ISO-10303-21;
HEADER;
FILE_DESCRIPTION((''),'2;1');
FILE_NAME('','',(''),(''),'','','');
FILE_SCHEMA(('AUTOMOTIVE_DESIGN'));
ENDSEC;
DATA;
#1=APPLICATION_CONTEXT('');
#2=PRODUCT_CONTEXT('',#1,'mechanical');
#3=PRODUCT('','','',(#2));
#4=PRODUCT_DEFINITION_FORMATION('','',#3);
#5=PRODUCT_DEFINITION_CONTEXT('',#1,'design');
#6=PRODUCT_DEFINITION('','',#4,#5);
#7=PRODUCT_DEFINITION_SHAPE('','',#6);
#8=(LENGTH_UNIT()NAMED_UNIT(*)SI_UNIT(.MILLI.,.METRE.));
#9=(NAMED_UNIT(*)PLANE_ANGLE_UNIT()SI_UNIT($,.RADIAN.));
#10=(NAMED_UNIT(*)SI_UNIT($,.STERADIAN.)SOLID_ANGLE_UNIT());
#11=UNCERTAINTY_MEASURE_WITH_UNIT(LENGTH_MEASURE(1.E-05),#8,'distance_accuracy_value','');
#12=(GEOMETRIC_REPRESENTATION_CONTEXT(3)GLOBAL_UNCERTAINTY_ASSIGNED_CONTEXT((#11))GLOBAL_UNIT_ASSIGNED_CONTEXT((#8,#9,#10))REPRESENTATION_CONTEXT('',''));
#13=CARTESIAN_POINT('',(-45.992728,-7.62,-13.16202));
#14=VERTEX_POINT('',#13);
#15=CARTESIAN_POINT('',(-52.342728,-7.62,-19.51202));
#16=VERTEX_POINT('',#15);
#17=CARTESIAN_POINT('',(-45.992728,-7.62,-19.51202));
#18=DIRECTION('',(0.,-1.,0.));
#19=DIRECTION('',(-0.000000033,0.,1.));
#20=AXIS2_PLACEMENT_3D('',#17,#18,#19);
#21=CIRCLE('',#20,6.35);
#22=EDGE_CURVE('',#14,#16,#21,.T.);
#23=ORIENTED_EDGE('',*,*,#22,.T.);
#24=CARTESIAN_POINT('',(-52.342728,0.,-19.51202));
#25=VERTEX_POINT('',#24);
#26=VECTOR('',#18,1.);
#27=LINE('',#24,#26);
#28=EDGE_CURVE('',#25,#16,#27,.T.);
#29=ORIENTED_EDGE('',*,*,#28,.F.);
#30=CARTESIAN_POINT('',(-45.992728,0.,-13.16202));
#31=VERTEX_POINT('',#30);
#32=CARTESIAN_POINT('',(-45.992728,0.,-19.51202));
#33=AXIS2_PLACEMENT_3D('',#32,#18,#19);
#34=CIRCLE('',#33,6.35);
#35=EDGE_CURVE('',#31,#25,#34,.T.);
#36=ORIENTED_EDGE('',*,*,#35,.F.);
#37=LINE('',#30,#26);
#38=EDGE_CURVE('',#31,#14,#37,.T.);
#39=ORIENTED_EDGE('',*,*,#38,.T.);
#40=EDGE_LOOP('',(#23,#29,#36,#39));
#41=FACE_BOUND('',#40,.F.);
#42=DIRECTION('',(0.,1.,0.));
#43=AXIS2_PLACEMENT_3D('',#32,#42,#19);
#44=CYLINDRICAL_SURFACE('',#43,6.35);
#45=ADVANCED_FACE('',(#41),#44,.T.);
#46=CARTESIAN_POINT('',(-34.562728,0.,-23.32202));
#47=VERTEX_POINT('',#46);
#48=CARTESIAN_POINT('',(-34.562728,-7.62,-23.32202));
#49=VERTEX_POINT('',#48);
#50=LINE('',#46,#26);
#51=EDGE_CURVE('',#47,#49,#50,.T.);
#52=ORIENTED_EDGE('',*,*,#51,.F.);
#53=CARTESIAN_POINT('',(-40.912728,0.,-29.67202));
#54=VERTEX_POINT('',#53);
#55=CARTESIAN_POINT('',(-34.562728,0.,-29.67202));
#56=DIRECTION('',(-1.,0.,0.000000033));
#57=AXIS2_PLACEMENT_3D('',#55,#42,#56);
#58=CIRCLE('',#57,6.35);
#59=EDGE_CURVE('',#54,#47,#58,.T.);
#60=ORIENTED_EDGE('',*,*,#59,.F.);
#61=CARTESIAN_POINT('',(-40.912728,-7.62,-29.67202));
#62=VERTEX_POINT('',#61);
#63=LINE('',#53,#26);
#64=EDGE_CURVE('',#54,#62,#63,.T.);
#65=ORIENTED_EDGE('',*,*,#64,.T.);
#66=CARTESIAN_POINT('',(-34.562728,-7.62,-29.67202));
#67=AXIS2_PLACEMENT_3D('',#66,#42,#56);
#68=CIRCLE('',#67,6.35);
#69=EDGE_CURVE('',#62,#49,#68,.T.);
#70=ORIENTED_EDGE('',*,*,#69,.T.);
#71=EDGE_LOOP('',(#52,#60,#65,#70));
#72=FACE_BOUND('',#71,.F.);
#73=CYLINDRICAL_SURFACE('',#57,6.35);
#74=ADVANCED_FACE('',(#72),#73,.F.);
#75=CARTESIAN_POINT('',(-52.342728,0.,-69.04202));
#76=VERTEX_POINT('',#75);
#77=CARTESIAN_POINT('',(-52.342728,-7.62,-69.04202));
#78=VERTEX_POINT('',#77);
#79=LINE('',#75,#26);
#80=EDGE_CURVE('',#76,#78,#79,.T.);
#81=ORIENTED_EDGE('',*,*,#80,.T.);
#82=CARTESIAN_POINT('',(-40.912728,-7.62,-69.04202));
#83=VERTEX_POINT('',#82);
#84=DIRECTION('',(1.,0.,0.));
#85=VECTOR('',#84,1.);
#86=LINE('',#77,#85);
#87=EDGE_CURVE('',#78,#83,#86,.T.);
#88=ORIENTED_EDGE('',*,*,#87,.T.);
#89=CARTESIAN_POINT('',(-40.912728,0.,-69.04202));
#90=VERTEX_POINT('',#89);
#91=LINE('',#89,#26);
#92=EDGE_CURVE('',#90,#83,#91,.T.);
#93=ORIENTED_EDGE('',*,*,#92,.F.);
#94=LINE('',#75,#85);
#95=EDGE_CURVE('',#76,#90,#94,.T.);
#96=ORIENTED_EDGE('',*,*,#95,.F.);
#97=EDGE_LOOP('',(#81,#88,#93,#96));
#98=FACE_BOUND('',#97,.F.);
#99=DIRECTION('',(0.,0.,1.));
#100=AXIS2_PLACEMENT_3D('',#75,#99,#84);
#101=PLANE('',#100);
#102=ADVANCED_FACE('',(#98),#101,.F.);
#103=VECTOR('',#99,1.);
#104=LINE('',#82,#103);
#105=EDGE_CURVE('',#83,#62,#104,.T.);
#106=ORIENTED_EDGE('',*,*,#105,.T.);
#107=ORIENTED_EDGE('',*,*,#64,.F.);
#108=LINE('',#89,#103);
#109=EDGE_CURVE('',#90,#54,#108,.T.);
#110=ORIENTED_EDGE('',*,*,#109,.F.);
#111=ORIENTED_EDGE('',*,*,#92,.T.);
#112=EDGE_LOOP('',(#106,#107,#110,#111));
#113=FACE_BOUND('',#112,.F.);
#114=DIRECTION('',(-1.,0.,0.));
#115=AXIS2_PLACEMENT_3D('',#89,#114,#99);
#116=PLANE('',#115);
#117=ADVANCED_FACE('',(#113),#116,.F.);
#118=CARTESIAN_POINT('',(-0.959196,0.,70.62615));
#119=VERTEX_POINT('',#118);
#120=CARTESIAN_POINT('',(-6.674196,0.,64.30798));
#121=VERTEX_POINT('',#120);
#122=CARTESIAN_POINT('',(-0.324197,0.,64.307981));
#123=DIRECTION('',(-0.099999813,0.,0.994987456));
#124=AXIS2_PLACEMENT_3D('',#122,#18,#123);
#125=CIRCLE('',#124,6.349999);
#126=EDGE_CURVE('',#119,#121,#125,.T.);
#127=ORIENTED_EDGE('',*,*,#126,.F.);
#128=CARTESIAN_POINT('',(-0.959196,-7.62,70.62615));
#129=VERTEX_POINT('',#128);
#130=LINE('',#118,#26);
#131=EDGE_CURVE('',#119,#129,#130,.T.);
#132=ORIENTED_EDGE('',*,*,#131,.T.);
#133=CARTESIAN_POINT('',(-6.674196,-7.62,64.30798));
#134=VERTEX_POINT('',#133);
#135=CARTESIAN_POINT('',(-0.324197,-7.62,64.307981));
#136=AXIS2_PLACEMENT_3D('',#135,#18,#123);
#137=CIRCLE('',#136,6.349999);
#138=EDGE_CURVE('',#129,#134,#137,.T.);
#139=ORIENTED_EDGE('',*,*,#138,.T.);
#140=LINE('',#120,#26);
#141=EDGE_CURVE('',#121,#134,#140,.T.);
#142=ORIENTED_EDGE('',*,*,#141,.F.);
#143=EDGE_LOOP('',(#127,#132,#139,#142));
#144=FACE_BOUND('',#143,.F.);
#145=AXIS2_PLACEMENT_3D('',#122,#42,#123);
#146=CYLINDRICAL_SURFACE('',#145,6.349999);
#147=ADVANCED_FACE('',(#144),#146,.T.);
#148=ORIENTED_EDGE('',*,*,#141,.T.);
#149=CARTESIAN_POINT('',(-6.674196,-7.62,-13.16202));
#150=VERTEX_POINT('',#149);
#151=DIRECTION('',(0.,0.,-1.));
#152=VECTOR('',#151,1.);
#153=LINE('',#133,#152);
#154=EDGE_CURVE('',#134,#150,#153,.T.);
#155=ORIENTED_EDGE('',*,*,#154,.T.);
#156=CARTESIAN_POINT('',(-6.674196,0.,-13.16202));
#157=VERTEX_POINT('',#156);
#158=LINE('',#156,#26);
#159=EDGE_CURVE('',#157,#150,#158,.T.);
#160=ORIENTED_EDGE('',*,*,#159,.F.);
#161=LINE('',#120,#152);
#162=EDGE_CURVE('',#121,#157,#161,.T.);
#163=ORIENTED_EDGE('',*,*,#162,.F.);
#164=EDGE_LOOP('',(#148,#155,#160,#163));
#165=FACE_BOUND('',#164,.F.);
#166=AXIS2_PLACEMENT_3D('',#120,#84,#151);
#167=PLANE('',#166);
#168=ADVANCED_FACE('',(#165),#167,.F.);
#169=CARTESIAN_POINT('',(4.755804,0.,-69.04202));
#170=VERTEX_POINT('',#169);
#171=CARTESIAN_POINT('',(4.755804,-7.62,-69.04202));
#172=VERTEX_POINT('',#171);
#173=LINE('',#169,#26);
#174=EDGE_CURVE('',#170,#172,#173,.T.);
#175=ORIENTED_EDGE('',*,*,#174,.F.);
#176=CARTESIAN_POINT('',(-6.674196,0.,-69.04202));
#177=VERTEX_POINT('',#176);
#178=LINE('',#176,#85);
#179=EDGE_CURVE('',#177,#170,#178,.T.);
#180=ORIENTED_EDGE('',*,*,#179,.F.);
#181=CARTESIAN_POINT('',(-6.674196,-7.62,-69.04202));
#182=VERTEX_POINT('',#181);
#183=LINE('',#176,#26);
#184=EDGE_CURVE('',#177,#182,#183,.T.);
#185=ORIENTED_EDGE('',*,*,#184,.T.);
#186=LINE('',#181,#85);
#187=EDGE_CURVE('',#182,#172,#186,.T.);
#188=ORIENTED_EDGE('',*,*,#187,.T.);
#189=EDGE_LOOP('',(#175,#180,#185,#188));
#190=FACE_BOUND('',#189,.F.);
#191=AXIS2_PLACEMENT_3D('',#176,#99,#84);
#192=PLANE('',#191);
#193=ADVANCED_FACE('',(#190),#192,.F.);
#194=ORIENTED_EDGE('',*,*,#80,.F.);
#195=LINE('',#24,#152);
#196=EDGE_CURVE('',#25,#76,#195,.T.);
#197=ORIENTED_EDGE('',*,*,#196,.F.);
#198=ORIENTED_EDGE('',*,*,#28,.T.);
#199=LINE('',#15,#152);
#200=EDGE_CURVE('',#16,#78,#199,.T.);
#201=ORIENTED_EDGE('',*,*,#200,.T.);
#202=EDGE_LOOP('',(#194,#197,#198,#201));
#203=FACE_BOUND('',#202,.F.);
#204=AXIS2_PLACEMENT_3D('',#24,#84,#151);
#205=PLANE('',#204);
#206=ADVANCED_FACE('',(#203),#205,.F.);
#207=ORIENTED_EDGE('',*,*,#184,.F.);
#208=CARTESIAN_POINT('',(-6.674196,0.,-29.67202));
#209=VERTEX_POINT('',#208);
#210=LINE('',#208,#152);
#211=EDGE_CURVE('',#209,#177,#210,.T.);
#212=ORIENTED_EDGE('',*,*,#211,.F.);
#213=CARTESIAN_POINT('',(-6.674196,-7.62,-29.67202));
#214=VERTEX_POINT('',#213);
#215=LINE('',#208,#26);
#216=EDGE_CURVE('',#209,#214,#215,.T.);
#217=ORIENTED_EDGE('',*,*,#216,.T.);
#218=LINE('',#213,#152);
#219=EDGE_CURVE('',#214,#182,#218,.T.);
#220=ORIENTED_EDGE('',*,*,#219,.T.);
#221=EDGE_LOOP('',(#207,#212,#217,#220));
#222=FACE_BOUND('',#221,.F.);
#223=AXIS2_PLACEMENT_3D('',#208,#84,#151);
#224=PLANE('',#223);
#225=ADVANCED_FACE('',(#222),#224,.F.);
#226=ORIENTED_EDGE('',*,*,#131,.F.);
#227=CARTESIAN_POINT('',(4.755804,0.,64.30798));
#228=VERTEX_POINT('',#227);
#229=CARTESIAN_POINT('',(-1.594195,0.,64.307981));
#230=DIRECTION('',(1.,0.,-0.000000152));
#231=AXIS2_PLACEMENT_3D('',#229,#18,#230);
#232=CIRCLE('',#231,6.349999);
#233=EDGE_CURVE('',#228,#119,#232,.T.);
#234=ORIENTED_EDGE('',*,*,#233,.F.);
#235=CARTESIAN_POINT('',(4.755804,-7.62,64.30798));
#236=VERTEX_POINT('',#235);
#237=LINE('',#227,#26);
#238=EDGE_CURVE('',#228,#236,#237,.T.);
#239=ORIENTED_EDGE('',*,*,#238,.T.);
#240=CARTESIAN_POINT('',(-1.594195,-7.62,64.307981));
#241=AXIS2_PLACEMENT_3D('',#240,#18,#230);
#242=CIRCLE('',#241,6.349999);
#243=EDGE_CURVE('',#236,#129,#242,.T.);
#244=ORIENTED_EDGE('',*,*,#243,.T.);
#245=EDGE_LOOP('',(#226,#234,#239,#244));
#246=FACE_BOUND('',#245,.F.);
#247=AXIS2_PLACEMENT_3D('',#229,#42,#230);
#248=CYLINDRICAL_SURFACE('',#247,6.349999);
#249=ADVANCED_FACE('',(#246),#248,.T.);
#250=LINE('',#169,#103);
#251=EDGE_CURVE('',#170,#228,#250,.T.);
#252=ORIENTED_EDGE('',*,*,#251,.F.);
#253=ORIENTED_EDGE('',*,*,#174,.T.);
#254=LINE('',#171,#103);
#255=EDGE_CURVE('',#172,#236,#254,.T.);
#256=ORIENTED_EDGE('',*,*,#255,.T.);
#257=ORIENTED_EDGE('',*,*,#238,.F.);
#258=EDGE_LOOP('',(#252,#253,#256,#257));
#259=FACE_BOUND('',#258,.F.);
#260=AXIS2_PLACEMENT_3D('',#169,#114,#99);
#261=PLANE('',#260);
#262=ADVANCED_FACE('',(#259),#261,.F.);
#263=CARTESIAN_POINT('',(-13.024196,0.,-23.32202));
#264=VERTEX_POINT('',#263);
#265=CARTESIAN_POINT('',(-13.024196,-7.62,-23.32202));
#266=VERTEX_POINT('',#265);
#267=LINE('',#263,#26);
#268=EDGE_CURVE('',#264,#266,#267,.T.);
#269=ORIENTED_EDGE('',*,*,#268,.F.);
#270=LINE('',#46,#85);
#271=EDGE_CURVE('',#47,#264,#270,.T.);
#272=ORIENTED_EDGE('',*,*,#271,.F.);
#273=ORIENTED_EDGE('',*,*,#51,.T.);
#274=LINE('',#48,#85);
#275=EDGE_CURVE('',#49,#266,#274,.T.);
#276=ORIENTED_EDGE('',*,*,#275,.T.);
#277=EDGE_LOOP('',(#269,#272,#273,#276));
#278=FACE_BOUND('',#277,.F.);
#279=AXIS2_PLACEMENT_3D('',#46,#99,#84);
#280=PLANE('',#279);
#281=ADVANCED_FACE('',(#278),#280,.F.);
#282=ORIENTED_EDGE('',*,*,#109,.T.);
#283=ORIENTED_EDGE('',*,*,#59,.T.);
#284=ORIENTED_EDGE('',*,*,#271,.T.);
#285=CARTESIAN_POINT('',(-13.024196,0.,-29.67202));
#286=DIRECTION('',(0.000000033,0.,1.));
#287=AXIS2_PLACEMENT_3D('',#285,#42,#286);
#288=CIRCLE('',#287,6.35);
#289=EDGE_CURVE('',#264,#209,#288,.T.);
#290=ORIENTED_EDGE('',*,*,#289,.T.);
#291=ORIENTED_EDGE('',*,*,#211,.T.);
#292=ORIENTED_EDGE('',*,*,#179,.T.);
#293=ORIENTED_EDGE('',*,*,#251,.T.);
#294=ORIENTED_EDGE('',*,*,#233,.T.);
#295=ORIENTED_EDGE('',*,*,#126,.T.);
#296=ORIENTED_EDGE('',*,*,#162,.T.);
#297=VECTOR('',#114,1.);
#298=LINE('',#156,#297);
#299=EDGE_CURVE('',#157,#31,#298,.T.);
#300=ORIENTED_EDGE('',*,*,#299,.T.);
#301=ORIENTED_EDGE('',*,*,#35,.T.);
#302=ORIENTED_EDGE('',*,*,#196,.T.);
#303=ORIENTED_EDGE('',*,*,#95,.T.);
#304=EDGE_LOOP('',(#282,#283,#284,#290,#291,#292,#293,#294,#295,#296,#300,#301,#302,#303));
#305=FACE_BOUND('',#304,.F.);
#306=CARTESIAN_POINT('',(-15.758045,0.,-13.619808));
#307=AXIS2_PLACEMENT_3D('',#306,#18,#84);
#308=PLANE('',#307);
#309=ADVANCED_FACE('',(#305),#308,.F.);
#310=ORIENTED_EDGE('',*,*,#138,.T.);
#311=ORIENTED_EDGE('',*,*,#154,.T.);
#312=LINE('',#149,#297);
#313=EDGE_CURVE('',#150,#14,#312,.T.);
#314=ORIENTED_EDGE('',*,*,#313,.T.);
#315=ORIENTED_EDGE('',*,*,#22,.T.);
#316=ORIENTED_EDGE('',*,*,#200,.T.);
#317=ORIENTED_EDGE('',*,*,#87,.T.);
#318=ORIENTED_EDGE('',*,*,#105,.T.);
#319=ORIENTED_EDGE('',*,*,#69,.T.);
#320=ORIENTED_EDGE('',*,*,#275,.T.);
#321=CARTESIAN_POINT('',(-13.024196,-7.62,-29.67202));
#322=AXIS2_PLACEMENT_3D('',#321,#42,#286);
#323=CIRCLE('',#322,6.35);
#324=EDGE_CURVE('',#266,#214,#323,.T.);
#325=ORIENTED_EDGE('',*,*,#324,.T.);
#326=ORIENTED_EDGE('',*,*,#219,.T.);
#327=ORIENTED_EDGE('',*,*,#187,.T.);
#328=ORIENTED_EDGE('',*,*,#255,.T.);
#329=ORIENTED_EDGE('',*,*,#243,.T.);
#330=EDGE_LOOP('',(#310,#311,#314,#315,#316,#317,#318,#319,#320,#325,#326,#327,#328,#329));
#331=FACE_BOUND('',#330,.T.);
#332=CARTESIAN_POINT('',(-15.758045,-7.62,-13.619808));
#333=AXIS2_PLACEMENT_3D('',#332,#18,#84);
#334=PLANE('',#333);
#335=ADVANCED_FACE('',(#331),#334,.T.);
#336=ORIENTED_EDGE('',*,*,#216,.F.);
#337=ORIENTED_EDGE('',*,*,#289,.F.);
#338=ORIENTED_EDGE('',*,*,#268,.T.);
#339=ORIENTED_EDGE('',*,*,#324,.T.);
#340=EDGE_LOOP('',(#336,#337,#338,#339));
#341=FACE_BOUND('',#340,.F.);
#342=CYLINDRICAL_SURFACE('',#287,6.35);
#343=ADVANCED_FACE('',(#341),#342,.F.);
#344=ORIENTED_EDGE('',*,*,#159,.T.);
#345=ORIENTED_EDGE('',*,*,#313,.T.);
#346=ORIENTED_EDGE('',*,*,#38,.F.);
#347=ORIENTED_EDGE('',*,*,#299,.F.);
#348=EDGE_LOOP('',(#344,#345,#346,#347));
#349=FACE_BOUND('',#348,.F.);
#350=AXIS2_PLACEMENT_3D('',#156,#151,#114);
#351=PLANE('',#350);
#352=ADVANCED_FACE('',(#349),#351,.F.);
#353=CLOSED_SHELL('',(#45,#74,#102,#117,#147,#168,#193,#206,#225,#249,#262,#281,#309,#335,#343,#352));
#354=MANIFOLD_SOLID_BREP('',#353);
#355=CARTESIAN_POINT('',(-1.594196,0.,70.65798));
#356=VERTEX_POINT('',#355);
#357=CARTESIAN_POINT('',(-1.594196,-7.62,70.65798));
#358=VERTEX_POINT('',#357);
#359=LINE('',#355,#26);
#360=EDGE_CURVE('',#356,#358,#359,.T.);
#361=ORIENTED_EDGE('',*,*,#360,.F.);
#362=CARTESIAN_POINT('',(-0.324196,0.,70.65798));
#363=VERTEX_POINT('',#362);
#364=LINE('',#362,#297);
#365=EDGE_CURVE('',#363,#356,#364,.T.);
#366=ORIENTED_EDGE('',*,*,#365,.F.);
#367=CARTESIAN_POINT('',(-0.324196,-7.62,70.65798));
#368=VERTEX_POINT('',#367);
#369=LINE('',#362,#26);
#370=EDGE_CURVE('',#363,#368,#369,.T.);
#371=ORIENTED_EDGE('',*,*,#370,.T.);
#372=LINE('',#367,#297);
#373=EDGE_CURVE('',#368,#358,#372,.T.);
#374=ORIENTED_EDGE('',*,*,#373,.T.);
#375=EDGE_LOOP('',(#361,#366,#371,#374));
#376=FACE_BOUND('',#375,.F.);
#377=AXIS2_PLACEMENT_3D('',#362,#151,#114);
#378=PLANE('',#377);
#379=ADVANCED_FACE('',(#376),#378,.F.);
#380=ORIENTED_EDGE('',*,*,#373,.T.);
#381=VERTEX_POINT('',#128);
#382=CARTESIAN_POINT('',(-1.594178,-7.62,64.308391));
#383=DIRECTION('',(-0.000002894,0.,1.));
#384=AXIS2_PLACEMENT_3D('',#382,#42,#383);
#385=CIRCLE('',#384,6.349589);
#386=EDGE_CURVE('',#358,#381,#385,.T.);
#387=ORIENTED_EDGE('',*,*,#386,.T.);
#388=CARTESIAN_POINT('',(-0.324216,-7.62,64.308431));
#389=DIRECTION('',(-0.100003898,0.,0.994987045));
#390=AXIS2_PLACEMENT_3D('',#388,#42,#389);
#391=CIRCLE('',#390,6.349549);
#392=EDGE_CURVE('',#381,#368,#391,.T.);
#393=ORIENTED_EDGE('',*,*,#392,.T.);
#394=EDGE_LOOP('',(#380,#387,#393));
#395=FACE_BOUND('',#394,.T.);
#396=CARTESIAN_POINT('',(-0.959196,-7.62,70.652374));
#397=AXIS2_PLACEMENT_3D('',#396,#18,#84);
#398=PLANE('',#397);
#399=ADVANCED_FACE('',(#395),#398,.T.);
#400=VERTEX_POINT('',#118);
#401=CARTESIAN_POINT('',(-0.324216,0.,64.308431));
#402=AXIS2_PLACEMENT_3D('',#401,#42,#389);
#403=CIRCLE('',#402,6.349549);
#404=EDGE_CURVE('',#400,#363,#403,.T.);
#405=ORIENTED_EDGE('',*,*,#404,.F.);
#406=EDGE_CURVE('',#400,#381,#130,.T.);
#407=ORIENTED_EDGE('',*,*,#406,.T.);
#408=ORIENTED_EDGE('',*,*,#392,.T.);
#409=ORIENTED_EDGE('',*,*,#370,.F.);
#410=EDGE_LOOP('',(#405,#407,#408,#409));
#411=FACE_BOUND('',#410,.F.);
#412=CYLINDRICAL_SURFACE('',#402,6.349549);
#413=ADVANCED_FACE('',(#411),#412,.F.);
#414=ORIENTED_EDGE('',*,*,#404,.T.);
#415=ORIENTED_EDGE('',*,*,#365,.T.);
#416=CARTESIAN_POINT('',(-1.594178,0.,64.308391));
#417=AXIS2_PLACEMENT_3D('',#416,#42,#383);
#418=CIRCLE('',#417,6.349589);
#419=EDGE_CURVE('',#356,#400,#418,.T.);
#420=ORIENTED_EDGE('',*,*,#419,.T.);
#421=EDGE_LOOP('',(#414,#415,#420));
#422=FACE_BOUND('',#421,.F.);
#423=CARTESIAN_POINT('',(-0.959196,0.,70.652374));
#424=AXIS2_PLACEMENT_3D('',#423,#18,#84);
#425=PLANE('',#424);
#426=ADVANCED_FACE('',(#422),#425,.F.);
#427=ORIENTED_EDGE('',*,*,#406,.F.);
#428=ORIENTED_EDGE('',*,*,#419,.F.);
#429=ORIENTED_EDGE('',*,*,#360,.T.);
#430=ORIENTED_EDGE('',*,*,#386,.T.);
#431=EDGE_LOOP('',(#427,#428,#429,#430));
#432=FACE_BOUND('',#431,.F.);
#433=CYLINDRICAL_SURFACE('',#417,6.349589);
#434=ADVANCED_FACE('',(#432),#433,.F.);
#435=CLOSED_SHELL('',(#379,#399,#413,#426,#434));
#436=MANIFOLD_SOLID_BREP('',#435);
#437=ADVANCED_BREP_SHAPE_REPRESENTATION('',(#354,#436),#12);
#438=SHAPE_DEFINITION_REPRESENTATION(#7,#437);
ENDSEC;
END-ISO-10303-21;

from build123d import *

# Parameters (mm, degrees)
F1_DEPTH = 7.62


with BuildPart() as f1:
    # F0 (on Front) → F1 (new body)
    with BuildSketch(Plane.XZ):
        with BuildLine():
            ThreePointArc((-1.594196, 70.65798), (-1.276298, 70.650018), (-0.959196, 70.62615))
            ThreePointArc((-0.959196, 70.62615), (-0.642095, 70.650018), (-0.324196, 70.65798))
            Line((-0.324196, 70.65798), (-1.594196, 70.65798))
        make_face()
        with BuildLine():
            Line((-52.342728, -19.51202), (-52.342728, -69.04202))
            Line((-52.342728, -69.04202), (-40.912728, -69.04202))
            Line((-40.912728, -69.04202), (-40.912728, -29.67202))
            ThreePointArc((-40.912728, -29.67202), (-39.052856, -25.181892), (-34.562728, -23.32202))
            Line((-34.562728, -23.32202), (-13.024196, -23.32202))
            ThreePointArc((-13.024196, -23.32202), (-8.534068, -25.181892), (-6.674196, -29.67202))
            Line((-6.674196, -29.67202), (-6.674196, -69.04202))
            Line((-6.674196, -69.04202), (4.755804, -69.04202))
            Line((4.755804, -69.04202), (4.755804, -13.16202))
            Line((4.755804, -13.16202), (4.755804, 64.30798))
            ThreePointArc((4.755804, 64.30798), (3.11509, 68.56769), (-0.959196, 70.62615))
            ThreePointArc((-0.959196, 70.62615), (-5.033482, 68.56769), (-6.674196, 64.30798))
            Line((-6.674196, 64.30798), (-6.674196, -13.16202))
            Line((-6.674196, -13.16202), (-45.992728, -13.16202))
            ThreePointArc((-45.992728, -13.16202), (-50.482856, -15.021892), (-52.342728, -19.51202))
        make_face()
    extrude(amount=F1_DEPTH)


solid = f1.part
